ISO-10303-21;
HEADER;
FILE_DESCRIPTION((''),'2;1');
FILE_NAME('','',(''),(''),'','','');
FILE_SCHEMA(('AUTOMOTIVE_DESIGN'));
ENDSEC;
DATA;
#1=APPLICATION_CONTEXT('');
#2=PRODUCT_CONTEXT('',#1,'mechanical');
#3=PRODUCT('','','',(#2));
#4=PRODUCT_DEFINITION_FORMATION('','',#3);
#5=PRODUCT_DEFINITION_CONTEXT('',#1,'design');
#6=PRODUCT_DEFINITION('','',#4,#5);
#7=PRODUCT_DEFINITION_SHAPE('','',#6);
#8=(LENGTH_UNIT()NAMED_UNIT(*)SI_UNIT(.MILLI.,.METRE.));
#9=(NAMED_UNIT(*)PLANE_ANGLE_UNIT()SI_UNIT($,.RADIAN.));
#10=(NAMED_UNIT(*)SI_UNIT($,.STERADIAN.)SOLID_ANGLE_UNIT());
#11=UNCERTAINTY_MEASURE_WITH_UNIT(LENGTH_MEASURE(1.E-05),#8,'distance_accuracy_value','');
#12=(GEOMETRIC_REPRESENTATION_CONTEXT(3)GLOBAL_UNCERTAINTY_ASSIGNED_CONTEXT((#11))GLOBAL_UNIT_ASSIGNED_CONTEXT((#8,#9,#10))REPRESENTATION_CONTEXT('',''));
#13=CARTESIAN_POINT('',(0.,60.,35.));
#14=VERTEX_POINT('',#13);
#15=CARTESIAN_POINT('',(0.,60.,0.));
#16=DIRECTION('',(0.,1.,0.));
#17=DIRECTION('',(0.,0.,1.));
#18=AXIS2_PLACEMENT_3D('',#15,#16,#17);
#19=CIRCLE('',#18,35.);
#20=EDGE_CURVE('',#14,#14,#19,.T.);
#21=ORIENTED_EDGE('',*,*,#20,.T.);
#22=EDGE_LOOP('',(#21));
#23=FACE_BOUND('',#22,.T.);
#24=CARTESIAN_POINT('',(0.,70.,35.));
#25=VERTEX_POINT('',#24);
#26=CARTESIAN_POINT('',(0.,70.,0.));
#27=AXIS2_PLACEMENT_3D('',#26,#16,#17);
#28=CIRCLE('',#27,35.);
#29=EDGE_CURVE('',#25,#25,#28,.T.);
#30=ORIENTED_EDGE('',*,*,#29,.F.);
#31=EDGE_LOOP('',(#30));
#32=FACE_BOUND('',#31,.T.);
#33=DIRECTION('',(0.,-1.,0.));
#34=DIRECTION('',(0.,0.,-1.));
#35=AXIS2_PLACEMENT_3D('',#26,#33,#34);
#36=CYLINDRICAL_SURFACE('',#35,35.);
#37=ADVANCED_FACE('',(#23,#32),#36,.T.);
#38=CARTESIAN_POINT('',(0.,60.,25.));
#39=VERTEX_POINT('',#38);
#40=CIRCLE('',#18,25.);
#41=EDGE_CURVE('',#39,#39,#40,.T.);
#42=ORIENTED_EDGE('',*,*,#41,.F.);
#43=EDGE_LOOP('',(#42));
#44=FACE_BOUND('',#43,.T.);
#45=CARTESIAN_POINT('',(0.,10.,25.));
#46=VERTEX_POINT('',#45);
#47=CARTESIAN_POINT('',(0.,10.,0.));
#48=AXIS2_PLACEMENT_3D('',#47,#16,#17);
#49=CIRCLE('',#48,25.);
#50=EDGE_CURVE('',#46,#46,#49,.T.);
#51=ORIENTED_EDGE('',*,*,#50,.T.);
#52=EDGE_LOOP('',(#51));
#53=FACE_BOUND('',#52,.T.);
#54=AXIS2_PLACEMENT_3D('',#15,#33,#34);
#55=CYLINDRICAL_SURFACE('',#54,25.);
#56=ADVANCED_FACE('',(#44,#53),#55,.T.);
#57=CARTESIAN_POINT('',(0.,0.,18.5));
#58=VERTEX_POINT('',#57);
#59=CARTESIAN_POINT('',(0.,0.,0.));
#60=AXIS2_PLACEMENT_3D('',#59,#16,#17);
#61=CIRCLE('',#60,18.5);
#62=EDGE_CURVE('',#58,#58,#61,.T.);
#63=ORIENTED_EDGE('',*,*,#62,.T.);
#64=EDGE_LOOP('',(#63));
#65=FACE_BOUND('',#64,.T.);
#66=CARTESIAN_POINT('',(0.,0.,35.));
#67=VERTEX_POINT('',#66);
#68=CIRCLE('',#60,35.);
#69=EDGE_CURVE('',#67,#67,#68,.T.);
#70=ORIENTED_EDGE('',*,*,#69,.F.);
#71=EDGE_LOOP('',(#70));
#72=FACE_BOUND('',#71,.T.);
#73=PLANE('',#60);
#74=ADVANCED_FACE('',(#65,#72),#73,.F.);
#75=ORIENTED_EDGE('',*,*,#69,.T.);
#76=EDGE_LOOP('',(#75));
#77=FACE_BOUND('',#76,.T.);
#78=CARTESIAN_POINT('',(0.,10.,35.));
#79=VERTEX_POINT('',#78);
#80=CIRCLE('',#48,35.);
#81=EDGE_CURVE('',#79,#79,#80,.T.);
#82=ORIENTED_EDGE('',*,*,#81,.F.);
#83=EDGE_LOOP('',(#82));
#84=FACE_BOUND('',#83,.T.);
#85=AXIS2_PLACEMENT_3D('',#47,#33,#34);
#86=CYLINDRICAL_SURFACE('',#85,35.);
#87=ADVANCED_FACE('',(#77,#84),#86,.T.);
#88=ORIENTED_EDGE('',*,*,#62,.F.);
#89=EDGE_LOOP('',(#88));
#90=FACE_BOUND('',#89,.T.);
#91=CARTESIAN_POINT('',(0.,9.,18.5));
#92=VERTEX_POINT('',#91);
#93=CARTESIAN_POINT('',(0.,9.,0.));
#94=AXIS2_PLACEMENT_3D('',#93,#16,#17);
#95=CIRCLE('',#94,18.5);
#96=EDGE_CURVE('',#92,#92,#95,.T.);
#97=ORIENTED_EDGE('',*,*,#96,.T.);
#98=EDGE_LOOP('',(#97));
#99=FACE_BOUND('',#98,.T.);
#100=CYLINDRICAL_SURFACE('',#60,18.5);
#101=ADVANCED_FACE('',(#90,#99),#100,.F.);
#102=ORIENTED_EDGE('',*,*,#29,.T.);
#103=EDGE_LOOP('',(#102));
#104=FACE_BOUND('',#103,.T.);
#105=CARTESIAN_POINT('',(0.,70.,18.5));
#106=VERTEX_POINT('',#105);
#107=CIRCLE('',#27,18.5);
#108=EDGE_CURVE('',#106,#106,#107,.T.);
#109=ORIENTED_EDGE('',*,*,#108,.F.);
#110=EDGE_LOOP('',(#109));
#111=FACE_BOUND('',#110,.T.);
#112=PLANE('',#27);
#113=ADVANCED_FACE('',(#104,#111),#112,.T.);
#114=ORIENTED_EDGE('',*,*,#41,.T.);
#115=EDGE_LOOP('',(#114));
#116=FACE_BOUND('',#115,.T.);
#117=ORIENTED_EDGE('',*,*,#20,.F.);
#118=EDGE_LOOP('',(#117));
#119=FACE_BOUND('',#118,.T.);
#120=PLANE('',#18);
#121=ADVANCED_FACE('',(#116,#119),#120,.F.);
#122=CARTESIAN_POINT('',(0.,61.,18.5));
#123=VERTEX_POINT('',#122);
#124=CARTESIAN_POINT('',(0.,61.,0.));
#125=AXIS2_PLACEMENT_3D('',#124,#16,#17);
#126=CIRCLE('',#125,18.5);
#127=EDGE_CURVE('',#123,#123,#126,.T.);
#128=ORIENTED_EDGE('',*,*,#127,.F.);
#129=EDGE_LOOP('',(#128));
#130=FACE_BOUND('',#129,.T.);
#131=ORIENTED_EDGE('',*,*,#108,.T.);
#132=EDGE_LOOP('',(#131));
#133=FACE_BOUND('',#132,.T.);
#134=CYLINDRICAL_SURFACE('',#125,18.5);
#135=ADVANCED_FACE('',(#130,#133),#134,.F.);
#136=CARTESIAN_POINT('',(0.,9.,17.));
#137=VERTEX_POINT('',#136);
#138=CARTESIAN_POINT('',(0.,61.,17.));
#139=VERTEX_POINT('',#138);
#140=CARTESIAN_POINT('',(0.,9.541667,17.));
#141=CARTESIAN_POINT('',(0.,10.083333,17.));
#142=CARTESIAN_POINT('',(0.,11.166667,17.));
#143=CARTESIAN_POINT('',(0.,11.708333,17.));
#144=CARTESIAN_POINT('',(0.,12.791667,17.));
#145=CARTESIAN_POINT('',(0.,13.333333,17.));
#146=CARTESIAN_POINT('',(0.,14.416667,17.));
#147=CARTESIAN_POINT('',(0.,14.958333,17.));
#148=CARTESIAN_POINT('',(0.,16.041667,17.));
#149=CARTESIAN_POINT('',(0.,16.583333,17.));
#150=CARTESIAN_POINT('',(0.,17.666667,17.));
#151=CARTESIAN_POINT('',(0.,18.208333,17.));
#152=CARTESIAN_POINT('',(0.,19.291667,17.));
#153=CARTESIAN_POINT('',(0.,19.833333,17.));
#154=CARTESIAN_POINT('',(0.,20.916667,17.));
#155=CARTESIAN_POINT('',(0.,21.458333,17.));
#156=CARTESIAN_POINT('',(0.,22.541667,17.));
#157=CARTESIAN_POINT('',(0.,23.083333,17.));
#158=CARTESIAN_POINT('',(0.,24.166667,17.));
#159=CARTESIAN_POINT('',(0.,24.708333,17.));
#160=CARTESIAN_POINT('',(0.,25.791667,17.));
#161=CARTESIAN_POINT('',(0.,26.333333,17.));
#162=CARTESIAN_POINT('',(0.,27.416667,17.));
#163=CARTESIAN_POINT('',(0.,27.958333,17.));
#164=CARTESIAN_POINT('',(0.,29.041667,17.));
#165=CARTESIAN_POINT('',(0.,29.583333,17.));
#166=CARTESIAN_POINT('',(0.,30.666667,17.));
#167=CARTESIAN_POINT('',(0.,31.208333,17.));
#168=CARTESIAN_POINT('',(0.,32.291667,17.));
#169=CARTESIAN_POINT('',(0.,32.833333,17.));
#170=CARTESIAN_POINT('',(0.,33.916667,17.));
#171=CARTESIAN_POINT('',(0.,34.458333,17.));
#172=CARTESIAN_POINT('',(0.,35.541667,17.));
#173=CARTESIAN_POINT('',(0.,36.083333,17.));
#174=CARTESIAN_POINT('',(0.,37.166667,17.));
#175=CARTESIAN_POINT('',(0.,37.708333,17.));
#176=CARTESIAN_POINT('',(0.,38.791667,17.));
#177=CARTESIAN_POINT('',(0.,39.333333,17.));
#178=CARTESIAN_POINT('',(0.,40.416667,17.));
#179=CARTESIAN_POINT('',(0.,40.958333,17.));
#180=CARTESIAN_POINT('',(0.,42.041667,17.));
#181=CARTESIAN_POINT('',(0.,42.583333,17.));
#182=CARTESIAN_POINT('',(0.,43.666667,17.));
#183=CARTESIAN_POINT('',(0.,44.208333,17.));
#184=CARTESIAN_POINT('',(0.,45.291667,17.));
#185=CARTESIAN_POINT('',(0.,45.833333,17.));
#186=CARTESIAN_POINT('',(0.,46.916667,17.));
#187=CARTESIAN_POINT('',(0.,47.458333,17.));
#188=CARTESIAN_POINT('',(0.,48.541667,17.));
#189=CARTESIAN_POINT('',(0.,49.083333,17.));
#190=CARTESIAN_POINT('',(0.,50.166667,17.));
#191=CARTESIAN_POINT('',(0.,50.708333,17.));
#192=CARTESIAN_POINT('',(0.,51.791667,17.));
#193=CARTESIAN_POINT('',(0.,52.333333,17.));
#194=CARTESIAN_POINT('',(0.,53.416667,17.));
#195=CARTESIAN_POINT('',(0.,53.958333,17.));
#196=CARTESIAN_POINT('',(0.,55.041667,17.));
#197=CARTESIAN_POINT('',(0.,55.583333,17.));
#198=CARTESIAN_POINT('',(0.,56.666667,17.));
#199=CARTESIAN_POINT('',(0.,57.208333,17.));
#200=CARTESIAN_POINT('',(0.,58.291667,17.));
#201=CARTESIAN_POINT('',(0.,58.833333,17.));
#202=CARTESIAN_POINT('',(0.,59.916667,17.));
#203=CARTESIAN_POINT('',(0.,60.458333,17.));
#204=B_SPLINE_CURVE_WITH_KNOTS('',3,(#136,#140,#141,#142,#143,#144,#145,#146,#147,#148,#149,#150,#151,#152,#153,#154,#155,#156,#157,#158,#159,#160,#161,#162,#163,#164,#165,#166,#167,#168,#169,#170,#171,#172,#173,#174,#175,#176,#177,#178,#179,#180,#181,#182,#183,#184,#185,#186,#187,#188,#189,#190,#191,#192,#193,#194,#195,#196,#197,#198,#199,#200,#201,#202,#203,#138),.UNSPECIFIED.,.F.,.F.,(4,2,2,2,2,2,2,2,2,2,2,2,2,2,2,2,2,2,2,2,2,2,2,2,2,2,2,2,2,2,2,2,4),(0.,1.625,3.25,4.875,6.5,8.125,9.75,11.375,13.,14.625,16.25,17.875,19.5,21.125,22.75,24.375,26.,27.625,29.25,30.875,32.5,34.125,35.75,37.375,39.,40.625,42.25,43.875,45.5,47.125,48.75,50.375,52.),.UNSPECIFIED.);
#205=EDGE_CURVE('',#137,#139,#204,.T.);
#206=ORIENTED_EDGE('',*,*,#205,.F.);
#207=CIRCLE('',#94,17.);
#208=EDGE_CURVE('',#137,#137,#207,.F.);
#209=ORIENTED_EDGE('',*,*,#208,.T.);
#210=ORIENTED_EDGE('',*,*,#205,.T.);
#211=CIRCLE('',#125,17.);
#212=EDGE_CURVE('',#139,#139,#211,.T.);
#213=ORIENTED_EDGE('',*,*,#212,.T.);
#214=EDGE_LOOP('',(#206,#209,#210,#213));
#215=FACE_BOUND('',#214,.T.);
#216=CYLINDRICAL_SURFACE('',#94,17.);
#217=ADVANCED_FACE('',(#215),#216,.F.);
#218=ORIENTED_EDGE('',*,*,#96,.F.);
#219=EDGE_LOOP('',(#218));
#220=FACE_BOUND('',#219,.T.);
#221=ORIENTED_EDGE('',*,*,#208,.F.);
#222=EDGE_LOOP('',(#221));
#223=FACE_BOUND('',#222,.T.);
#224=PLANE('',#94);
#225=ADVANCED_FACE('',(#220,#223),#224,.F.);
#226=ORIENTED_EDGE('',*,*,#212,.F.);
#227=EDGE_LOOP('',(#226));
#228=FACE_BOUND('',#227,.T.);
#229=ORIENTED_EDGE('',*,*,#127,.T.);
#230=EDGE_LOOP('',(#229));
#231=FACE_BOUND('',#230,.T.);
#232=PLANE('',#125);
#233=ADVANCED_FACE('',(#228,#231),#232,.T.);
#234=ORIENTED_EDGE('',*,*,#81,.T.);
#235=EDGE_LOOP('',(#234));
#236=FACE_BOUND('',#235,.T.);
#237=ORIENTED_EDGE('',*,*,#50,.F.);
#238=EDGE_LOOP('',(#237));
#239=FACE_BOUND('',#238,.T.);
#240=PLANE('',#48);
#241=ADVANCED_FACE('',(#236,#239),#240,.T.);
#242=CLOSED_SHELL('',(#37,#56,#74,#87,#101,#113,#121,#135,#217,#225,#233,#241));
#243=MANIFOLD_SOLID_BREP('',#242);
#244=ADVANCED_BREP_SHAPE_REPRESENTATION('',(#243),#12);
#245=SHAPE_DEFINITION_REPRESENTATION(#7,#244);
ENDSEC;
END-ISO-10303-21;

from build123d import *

# Parameters (mm, degrees)
SKETCH_1_R          = 35
EXTRUDE_1_DEPTH     = 10
SKETCH_5_R          = 25
EXTRUDE_2_DEPTH     = 50
SKETCH_6_R          = 35
EXTRUDE_3_DEPTH     = 10
SKETCH_7_R          = 18.5
CUT_EXTRUDE_1_DEPTH = 9
SKETCH_8_R          = 17
CUT_EXTRUDE_2_DEPTH = 52
SKETCH_9_R          = 18.5
CUT_EXTRUDE_3_DEPTH = 79.555712714


with BuildPart() as part:
    # 草图1 → 凸台-拉伸1 (new body)
    with BuildSketch(Plane(origin=(0, 0, 0), x_dir=(1, 0, 0), z_dir=(0, 1, 0))):
        with Locations(Location((0, 0, 0), (0, 0, 270))):
            Circle(SKETCH_1_R)
    extrude(amount=EXTRUDE_1_DEPTH)

    # 草图5 → 凸台-拉伸2 (add)
    with BuildSketch(Plane(origin=(0, 10, 0), x_dir=(1, 0, 0), z_dir=(0, 1, 0))):
        with Locations(Location((0, 0, 0), (0, 0, 270))):
            Circle(SKETCH_5_R)
    extrude(amount=EXTRUDE_2_DEPTH)

    # 草图6 → 凸台-拉伸3 (add)
    with BuildSketch(Plane(origin=(0, 60, 0), x_dir=(1, 0, 0), z_dir=(0, 1, 0))):
        with Locations(Location((0, 0, 0), (0, 0, 270))):
            Circle(SKETCH_6_R)
    extrude(amount=EXTRUDE_3_DEPTH)

    # 草图7 → 切除-拉伸1 (cut)
    with BuildSketch(Plane(origin=(0, 70, 0), x_dir=(1, 0, 0), z_dir=(0, 1, 0))):
        with Locations(Location((0, 0, 0), (0, 0, 270))):
            Circle(SKETCH_7_R)
    extrude(amount=-CUT_EXTRUDE_1_DEPTH, mode=Mode.SUBTRACT)

    # 草图8 → 切除-拉伸2 (cut)
    with BuildSketch(Plane(origin=(0, 61, 0), x_dir=(1, 0, 0), z_dir=(0, 1, 0))):
        with Locations(Location((0, 0, 0), (0, 0, 270))):
            Circle(SKETCH_8_R)
    extrude(amount=-CUT_EXTRUDE_2_DEPTH, mode=Mode.SUBTRACT)

    # 草图9 → 切除-拉伸3 (cut, through all)
    with BuildSketch(Plane(origin=(0, 9, 0), x_dir=(1, 0, 0), z_dir=(0, 1, 0))):
        with Locations(Location((0, 0, 0), (0, 0, 270))):
            Circle(SKETCH_9_R)
    extrude(amount=-CUT_EXTRUDE_3_DEPTH, mode=Mode.SUBTRACT)


solid = part.part
